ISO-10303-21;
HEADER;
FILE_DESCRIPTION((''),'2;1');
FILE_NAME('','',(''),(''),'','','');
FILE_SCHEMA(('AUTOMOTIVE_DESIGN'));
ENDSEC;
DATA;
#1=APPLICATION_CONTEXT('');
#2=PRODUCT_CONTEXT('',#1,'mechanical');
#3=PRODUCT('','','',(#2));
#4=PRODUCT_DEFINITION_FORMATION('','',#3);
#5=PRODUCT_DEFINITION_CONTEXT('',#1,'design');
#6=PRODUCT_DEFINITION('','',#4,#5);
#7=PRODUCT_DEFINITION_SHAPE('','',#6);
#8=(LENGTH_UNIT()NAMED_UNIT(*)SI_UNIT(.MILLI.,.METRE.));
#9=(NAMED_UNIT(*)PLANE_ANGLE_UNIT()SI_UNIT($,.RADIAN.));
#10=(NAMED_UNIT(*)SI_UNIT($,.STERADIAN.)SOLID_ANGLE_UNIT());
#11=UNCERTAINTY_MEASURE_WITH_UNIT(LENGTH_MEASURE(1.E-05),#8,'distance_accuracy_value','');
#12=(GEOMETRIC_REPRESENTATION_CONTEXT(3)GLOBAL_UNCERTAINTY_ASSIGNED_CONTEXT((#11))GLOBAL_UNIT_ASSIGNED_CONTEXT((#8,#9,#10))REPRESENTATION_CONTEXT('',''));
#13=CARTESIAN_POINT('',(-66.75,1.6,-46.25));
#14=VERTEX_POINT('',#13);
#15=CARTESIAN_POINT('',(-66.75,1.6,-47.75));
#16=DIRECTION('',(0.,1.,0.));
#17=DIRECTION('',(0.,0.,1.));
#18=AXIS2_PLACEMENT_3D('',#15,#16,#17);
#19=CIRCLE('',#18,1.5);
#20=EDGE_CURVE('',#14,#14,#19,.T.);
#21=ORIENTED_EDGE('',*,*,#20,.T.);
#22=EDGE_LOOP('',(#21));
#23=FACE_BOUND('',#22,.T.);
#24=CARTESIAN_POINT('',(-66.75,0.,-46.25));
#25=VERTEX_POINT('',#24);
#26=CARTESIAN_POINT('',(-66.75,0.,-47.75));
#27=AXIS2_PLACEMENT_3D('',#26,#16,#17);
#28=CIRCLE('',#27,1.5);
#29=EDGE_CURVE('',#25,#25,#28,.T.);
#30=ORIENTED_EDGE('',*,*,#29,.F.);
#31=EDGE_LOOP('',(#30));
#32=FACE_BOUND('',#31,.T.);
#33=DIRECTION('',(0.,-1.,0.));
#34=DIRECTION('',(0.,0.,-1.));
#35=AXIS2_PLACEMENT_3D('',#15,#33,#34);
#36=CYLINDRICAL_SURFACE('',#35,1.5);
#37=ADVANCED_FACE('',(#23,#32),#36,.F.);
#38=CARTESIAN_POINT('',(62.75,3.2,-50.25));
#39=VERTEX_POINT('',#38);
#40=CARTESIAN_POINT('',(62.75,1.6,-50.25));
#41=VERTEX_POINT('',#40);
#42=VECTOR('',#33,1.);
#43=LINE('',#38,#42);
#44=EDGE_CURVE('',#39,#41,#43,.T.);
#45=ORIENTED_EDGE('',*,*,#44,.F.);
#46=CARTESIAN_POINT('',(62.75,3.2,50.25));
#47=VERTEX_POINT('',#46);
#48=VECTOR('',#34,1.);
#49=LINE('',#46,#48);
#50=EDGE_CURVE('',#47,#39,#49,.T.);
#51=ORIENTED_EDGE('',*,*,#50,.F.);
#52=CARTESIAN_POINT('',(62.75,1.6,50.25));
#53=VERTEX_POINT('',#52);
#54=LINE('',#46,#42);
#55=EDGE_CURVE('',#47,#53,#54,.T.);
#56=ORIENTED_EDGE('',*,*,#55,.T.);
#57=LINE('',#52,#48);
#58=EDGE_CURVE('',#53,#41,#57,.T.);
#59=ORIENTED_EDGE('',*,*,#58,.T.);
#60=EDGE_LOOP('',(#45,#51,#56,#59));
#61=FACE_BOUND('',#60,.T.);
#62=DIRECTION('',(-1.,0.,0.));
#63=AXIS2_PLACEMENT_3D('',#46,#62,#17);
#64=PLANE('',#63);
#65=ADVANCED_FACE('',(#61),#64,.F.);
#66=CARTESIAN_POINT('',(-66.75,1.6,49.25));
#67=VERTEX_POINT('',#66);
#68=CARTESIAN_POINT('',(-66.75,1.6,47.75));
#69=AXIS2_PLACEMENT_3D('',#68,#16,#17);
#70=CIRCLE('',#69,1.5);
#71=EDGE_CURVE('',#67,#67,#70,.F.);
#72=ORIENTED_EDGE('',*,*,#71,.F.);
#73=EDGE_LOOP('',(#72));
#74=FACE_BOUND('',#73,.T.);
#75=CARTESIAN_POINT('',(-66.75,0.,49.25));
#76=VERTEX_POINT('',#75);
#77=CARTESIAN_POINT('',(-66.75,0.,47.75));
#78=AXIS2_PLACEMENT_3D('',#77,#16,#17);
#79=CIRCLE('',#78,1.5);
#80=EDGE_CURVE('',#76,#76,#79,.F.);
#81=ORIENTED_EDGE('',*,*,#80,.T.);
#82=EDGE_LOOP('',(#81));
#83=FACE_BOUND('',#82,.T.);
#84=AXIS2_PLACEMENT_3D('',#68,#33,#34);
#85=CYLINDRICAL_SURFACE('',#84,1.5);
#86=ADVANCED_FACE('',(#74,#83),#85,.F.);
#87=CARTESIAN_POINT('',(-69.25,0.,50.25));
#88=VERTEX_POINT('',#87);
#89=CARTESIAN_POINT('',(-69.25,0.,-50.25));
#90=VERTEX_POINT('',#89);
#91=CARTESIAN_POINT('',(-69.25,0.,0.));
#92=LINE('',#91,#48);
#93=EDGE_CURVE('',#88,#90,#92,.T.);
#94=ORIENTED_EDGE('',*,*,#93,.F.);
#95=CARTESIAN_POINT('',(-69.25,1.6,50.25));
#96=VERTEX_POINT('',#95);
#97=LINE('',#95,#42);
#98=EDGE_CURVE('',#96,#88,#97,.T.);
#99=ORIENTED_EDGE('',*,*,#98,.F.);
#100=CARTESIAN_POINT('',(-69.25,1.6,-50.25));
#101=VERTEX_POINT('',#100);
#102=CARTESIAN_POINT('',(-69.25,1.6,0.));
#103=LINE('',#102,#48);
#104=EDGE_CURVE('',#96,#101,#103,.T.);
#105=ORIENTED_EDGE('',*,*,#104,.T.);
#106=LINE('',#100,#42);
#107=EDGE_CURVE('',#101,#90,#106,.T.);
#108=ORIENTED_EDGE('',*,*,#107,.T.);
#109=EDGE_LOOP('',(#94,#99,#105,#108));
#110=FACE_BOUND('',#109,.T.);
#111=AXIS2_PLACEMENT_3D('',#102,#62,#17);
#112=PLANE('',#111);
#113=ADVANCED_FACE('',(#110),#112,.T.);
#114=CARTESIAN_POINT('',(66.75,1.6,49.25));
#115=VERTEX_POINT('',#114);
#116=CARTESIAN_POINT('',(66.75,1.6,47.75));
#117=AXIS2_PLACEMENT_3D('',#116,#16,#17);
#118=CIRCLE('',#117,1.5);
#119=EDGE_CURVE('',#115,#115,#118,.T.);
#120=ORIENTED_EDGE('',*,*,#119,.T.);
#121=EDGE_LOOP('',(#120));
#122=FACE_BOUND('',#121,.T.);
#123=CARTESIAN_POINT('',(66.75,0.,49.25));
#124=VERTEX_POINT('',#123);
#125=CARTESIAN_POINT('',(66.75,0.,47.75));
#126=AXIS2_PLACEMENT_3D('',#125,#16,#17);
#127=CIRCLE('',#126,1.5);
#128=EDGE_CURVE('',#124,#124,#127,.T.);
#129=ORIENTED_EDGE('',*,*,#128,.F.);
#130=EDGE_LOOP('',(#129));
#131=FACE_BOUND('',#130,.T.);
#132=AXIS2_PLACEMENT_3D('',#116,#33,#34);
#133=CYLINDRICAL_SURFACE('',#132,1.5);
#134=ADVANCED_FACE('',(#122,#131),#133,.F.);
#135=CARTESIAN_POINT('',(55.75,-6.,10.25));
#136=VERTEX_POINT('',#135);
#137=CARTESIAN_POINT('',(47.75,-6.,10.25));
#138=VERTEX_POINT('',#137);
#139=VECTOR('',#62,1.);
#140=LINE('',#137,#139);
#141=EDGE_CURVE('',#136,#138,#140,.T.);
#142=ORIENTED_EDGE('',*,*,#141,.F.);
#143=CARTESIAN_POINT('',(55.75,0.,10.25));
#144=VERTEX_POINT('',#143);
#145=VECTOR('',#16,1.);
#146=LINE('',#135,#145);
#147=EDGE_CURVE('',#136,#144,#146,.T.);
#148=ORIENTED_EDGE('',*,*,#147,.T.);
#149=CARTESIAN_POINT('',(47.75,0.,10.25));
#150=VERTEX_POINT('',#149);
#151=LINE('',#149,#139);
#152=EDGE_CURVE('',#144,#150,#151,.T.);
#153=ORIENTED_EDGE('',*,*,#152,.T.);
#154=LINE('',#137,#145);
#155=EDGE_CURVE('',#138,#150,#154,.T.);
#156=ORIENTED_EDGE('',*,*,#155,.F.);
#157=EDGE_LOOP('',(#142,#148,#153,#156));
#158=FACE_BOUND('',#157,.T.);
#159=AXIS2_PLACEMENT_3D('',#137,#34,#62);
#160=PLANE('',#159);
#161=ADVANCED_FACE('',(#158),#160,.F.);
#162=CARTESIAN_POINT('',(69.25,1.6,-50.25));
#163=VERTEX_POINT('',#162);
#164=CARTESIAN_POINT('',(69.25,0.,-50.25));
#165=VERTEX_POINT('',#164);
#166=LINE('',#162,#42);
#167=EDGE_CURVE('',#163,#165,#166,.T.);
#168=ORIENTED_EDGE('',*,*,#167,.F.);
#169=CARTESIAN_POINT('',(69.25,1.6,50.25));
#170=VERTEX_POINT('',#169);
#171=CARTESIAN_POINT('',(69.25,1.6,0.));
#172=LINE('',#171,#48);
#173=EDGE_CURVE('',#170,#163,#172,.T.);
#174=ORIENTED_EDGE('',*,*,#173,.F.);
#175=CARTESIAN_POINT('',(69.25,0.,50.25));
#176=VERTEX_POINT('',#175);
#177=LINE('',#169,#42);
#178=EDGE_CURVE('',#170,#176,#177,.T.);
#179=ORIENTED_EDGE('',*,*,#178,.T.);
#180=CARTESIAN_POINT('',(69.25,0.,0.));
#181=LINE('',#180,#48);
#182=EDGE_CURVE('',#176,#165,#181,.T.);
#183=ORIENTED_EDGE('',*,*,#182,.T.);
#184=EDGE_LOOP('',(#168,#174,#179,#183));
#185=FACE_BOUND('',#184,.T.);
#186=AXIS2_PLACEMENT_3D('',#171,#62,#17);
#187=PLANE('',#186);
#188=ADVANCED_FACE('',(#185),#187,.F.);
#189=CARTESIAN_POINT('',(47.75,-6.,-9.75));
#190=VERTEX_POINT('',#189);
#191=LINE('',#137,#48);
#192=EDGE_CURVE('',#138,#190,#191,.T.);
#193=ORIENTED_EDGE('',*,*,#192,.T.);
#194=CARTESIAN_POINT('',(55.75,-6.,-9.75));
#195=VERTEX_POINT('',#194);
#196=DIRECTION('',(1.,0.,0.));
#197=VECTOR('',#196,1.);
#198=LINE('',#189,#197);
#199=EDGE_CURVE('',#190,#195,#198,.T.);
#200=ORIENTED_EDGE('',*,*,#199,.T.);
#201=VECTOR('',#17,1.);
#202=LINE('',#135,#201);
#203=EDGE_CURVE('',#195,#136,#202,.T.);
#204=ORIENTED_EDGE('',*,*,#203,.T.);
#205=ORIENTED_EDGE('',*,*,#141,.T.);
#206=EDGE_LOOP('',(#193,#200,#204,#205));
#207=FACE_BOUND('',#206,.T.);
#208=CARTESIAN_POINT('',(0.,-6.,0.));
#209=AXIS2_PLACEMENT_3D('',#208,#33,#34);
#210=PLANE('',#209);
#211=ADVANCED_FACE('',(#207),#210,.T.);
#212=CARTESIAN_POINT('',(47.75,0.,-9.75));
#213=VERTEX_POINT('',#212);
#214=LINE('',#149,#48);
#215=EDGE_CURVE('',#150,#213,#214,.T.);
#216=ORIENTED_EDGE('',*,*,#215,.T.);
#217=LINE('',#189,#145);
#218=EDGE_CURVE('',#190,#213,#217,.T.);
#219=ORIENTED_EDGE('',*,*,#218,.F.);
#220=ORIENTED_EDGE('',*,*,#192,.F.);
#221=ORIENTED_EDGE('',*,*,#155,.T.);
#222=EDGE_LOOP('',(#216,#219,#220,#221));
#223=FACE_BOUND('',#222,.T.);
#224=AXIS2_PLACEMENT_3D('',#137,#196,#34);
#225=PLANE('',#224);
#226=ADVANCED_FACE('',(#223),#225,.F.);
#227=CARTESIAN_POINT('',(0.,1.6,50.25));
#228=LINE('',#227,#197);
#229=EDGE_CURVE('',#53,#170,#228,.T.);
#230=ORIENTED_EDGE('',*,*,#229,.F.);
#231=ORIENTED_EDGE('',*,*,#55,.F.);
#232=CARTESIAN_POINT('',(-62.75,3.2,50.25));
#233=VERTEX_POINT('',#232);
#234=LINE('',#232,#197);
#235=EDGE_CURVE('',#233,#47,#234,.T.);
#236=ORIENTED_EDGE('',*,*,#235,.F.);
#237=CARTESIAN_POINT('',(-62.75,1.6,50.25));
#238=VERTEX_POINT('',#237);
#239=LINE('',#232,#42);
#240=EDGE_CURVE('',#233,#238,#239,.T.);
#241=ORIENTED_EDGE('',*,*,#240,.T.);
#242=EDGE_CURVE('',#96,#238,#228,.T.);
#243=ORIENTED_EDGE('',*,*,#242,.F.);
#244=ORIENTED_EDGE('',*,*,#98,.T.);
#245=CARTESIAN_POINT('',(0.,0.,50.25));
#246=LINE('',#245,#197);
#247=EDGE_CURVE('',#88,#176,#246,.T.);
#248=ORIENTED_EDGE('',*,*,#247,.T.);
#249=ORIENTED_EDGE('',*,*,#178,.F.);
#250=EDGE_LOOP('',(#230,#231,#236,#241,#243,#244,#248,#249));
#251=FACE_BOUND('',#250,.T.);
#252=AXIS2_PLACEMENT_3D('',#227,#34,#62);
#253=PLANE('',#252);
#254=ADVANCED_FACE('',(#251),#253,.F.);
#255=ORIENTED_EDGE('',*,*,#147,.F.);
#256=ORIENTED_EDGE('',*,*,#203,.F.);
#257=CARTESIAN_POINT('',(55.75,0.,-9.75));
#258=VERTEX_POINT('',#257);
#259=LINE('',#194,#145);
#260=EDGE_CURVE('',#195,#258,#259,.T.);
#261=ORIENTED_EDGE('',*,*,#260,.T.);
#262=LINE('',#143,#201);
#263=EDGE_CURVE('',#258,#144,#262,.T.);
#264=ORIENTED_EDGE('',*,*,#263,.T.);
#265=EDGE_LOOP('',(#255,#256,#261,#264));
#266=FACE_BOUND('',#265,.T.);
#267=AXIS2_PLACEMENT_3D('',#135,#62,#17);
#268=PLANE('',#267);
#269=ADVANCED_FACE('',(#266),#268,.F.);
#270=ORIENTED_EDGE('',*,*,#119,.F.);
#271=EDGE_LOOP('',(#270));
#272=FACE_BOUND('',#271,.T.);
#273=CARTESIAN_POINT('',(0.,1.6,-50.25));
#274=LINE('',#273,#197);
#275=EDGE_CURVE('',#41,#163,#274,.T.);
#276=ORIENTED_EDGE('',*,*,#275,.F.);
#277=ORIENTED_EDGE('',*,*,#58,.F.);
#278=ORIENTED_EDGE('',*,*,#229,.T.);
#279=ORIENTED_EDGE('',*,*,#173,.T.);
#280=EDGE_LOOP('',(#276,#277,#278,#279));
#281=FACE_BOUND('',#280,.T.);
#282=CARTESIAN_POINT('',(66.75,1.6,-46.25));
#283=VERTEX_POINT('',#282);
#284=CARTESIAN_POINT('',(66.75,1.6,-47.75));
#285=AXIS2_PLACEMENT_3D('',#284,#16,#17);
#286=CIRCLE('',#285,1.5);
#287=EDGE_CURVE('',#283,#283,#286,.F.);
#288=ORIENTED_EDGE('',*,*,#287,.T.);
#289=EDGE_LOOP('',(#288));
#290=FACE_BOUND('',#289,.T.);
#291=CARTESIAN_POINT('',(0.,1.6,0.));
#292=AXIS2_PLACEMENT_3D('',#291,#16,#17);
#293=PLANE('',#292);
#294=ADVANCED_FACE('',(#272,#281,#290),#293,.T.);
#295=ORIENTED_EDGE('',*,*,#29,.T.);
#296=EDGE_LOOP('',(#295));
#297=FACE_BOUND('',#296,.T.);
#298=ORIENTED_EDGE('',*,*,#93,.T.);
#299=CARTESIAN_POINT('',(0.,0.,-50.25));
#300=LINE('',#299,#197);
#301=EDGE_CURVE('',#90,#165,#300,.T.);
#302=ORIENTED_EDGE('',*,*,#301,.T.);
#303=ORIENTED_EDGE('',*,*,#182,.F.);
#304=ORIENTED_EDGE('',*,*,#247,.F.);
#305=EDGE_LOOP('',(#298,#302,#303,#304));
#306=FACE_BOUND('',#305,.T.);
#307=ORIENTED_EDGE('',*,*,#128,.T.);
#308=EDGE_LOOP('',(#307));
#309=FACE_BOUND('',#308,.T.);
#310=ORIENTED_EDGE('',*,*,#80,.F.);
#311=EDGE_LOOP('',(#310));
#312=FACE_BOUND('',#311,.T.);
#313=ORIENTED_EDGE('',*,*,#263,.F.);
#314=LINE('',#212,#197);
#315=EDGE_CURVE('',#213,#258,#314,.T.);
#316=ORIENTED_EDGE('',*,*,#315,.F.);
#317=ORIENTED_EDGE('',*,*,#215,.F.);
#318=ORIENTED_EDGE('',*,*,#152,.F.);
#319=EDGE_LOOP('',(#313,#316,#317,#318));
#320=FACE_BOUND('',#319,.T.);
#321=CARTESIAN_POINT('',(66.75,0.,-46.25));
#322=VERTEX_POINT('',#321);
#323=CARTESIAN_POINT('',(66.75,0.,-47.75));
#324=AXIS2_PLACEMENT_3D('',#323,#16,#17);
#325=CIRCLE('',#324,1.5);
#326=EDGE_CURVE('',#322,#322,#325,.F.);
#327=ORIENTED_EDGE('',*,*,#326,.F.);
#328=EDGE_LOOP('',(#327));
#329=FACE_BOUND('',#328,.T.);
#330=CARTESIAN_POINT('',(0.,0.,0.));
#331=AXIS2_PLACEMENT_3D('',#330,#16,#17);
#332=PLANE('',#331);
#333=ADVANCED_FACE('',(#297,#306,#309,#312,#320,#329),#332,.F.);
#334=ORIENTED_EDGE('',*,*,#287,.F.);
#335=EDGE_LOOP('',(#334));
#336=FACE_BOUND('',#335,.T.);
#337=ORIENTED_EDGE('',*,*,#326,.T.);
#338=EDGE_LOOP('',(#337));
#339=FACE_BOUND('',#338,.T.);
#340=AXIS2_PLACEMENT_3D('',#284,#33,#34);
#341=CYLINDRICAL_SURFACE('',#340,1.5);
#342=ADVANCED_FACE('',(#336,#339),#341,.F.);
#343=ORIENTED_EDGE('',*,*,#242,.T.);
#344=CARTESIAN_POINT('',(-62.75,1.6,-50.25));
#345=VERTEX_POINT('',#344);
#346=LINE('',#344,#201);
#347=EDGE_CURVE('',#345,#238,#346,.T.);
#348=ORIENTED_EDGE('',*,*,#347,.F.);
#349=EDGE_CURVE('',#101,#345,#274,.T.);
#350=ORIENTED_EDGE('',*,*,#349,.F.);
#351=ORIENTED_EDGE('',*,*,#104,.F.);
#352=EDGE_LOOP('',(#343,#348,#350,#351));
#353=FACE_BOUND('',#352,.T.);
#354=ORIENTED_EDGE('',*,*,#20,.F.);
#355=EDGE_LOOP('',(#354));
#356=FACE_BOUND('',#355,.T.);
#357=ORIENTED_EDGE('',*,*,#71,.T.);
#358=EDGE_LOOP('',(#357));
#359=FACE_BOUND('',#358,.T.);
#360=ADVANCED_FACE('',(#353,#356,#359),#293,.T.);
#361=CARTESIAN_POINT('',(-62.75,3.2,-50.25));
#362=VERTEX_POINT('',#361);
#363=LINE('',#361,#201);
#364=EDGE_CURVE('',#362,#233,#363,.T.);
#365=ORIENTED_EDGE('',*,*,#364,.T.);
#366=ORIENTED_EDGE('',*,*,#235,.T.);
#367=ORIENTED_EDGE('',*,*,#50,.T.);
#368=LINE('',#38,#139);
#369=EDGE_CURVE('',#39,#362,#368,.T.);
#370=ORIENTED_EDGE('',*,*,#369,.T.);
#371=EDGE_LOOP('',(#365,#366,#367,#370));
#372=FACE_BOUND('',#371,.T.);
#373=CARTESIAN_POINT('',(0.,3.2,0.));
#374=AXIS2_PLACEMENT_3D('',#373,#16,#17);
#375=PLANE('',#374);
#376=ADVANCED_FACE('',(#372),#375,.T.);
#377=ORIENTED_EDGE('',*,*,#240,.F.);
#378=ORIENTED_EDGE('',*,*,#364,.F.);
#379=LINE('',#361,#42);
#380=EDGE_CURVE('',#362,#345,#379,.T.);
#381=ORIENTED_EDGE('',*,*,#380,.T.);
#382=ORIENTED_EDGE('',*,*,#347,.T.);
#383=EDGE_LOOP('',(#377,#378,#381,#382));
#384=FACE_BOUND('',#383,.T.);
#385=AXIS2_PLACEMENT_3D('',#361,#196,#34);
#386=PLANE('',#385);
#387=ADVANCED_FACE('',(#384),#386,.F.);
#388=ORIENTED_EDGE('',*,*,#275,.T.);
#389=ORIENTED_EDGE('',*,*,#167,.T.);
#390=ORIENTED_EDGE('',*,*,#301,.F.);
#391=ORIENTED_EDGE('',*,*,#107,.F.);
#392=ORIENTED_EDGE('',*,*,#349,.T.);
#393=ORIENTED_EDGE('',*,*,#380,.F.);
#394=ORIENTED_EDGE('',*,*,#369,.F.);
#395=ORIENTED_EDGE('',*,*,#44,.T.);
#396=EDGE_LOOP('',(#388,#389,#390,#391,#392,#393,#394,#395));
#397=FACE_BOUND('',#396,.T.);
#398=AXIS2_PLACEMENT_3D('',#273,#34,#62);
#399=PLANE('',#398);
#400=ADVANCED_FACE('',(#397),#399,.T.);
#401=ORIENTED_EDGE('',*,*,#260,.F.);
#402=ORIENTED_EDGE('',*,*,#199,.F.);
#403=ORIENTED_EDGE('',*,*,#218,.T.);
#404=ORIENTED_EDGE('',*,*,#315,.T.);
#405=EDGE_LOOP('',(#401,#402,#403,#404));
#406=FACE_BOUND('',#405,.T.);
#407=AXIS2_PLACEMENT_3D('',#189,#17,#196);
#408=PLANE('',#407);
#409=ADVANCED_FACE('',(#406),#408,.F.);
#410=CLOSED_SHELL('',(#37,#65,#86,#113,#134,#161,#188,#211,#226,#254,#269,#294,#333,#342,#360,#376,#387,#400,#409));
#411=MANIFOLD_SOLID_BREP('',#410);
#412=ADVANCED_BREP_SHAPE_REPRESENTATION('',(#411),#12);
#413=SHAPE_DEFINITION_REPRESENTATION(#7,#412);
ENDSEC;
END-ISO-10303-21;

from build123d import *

# Parameters (mm, degrees)
SKETCH1_W           = 138.5
SKETCH1_H           = 100.5
SKETCH1_R           = 1.5
BOSS_EXTRUDE1_DEPTH = 1.6
SKETCH2_W           = 125.5
SKETCH2_H           = 100.5
BOSS_EXTRUDE2_DEPTH = 1.6
SKETCH3_W           = 8
SKETCH3_H           = 20
BOSS_EXTRUDE3_DEPTH = 6


with BuildPart() as part:
    # Sketch1 → Boss-Extrude1 (new body)
    with BuildSketch(Plane(origin=(0, 0, 0), x_dir=(1, 0, 0), z_dir=(0, 1, 0))):
        Rectangle(SKETCH1_W, SKETCH1_H)
        with Locations(Location((-66.75, 47.75, 0), (0, 0, 270))):
            Circle(SKETCH1_R, mode=Mode.SUBTRACT)
        with Locations(Location((66.75, 47.75, 0), (0, 0, 270))):
            Circle(SKETCH1_R, mode=Mode.SUBTRACT)
        with Locations(Location((66.75, -47.75, 0), (0, 0, 270))):
            Circle(SKETCH1_R, mode=Mode.SUBTRACT)
        with Locations(Location((-66.75, -47.75, 0), (0, 0, 270))):
            Circle(SKETCH1_R, mode=Mode.SUBTRACT)
    extrude(amount=BOSS_EXTRUDE1_DEPTH)

    # Sketch2 → Boss-Extrude2 (add)
    with BuildSketch(Plane(origin=(0, 1.6, 0), x_dir=(1, 0, 0), z_dir=(0, 1, 0))):
        Rectangle(SKETCH2_W, SKETCH2_H)
    extrude(amount=BOSS_EXTRUDE2_DEPTH)

    # Sketch3 → Boss-Extrude3 (add)
    with BuildSketch(Plane.XZ):
        with Locations((51.75, 0.25)):
            Rectangle(SKETCH3_W, SKETCH3_H)
    extrude(amount=BOSS_EXTRUDE3_DEPTH)


solid = part.part
